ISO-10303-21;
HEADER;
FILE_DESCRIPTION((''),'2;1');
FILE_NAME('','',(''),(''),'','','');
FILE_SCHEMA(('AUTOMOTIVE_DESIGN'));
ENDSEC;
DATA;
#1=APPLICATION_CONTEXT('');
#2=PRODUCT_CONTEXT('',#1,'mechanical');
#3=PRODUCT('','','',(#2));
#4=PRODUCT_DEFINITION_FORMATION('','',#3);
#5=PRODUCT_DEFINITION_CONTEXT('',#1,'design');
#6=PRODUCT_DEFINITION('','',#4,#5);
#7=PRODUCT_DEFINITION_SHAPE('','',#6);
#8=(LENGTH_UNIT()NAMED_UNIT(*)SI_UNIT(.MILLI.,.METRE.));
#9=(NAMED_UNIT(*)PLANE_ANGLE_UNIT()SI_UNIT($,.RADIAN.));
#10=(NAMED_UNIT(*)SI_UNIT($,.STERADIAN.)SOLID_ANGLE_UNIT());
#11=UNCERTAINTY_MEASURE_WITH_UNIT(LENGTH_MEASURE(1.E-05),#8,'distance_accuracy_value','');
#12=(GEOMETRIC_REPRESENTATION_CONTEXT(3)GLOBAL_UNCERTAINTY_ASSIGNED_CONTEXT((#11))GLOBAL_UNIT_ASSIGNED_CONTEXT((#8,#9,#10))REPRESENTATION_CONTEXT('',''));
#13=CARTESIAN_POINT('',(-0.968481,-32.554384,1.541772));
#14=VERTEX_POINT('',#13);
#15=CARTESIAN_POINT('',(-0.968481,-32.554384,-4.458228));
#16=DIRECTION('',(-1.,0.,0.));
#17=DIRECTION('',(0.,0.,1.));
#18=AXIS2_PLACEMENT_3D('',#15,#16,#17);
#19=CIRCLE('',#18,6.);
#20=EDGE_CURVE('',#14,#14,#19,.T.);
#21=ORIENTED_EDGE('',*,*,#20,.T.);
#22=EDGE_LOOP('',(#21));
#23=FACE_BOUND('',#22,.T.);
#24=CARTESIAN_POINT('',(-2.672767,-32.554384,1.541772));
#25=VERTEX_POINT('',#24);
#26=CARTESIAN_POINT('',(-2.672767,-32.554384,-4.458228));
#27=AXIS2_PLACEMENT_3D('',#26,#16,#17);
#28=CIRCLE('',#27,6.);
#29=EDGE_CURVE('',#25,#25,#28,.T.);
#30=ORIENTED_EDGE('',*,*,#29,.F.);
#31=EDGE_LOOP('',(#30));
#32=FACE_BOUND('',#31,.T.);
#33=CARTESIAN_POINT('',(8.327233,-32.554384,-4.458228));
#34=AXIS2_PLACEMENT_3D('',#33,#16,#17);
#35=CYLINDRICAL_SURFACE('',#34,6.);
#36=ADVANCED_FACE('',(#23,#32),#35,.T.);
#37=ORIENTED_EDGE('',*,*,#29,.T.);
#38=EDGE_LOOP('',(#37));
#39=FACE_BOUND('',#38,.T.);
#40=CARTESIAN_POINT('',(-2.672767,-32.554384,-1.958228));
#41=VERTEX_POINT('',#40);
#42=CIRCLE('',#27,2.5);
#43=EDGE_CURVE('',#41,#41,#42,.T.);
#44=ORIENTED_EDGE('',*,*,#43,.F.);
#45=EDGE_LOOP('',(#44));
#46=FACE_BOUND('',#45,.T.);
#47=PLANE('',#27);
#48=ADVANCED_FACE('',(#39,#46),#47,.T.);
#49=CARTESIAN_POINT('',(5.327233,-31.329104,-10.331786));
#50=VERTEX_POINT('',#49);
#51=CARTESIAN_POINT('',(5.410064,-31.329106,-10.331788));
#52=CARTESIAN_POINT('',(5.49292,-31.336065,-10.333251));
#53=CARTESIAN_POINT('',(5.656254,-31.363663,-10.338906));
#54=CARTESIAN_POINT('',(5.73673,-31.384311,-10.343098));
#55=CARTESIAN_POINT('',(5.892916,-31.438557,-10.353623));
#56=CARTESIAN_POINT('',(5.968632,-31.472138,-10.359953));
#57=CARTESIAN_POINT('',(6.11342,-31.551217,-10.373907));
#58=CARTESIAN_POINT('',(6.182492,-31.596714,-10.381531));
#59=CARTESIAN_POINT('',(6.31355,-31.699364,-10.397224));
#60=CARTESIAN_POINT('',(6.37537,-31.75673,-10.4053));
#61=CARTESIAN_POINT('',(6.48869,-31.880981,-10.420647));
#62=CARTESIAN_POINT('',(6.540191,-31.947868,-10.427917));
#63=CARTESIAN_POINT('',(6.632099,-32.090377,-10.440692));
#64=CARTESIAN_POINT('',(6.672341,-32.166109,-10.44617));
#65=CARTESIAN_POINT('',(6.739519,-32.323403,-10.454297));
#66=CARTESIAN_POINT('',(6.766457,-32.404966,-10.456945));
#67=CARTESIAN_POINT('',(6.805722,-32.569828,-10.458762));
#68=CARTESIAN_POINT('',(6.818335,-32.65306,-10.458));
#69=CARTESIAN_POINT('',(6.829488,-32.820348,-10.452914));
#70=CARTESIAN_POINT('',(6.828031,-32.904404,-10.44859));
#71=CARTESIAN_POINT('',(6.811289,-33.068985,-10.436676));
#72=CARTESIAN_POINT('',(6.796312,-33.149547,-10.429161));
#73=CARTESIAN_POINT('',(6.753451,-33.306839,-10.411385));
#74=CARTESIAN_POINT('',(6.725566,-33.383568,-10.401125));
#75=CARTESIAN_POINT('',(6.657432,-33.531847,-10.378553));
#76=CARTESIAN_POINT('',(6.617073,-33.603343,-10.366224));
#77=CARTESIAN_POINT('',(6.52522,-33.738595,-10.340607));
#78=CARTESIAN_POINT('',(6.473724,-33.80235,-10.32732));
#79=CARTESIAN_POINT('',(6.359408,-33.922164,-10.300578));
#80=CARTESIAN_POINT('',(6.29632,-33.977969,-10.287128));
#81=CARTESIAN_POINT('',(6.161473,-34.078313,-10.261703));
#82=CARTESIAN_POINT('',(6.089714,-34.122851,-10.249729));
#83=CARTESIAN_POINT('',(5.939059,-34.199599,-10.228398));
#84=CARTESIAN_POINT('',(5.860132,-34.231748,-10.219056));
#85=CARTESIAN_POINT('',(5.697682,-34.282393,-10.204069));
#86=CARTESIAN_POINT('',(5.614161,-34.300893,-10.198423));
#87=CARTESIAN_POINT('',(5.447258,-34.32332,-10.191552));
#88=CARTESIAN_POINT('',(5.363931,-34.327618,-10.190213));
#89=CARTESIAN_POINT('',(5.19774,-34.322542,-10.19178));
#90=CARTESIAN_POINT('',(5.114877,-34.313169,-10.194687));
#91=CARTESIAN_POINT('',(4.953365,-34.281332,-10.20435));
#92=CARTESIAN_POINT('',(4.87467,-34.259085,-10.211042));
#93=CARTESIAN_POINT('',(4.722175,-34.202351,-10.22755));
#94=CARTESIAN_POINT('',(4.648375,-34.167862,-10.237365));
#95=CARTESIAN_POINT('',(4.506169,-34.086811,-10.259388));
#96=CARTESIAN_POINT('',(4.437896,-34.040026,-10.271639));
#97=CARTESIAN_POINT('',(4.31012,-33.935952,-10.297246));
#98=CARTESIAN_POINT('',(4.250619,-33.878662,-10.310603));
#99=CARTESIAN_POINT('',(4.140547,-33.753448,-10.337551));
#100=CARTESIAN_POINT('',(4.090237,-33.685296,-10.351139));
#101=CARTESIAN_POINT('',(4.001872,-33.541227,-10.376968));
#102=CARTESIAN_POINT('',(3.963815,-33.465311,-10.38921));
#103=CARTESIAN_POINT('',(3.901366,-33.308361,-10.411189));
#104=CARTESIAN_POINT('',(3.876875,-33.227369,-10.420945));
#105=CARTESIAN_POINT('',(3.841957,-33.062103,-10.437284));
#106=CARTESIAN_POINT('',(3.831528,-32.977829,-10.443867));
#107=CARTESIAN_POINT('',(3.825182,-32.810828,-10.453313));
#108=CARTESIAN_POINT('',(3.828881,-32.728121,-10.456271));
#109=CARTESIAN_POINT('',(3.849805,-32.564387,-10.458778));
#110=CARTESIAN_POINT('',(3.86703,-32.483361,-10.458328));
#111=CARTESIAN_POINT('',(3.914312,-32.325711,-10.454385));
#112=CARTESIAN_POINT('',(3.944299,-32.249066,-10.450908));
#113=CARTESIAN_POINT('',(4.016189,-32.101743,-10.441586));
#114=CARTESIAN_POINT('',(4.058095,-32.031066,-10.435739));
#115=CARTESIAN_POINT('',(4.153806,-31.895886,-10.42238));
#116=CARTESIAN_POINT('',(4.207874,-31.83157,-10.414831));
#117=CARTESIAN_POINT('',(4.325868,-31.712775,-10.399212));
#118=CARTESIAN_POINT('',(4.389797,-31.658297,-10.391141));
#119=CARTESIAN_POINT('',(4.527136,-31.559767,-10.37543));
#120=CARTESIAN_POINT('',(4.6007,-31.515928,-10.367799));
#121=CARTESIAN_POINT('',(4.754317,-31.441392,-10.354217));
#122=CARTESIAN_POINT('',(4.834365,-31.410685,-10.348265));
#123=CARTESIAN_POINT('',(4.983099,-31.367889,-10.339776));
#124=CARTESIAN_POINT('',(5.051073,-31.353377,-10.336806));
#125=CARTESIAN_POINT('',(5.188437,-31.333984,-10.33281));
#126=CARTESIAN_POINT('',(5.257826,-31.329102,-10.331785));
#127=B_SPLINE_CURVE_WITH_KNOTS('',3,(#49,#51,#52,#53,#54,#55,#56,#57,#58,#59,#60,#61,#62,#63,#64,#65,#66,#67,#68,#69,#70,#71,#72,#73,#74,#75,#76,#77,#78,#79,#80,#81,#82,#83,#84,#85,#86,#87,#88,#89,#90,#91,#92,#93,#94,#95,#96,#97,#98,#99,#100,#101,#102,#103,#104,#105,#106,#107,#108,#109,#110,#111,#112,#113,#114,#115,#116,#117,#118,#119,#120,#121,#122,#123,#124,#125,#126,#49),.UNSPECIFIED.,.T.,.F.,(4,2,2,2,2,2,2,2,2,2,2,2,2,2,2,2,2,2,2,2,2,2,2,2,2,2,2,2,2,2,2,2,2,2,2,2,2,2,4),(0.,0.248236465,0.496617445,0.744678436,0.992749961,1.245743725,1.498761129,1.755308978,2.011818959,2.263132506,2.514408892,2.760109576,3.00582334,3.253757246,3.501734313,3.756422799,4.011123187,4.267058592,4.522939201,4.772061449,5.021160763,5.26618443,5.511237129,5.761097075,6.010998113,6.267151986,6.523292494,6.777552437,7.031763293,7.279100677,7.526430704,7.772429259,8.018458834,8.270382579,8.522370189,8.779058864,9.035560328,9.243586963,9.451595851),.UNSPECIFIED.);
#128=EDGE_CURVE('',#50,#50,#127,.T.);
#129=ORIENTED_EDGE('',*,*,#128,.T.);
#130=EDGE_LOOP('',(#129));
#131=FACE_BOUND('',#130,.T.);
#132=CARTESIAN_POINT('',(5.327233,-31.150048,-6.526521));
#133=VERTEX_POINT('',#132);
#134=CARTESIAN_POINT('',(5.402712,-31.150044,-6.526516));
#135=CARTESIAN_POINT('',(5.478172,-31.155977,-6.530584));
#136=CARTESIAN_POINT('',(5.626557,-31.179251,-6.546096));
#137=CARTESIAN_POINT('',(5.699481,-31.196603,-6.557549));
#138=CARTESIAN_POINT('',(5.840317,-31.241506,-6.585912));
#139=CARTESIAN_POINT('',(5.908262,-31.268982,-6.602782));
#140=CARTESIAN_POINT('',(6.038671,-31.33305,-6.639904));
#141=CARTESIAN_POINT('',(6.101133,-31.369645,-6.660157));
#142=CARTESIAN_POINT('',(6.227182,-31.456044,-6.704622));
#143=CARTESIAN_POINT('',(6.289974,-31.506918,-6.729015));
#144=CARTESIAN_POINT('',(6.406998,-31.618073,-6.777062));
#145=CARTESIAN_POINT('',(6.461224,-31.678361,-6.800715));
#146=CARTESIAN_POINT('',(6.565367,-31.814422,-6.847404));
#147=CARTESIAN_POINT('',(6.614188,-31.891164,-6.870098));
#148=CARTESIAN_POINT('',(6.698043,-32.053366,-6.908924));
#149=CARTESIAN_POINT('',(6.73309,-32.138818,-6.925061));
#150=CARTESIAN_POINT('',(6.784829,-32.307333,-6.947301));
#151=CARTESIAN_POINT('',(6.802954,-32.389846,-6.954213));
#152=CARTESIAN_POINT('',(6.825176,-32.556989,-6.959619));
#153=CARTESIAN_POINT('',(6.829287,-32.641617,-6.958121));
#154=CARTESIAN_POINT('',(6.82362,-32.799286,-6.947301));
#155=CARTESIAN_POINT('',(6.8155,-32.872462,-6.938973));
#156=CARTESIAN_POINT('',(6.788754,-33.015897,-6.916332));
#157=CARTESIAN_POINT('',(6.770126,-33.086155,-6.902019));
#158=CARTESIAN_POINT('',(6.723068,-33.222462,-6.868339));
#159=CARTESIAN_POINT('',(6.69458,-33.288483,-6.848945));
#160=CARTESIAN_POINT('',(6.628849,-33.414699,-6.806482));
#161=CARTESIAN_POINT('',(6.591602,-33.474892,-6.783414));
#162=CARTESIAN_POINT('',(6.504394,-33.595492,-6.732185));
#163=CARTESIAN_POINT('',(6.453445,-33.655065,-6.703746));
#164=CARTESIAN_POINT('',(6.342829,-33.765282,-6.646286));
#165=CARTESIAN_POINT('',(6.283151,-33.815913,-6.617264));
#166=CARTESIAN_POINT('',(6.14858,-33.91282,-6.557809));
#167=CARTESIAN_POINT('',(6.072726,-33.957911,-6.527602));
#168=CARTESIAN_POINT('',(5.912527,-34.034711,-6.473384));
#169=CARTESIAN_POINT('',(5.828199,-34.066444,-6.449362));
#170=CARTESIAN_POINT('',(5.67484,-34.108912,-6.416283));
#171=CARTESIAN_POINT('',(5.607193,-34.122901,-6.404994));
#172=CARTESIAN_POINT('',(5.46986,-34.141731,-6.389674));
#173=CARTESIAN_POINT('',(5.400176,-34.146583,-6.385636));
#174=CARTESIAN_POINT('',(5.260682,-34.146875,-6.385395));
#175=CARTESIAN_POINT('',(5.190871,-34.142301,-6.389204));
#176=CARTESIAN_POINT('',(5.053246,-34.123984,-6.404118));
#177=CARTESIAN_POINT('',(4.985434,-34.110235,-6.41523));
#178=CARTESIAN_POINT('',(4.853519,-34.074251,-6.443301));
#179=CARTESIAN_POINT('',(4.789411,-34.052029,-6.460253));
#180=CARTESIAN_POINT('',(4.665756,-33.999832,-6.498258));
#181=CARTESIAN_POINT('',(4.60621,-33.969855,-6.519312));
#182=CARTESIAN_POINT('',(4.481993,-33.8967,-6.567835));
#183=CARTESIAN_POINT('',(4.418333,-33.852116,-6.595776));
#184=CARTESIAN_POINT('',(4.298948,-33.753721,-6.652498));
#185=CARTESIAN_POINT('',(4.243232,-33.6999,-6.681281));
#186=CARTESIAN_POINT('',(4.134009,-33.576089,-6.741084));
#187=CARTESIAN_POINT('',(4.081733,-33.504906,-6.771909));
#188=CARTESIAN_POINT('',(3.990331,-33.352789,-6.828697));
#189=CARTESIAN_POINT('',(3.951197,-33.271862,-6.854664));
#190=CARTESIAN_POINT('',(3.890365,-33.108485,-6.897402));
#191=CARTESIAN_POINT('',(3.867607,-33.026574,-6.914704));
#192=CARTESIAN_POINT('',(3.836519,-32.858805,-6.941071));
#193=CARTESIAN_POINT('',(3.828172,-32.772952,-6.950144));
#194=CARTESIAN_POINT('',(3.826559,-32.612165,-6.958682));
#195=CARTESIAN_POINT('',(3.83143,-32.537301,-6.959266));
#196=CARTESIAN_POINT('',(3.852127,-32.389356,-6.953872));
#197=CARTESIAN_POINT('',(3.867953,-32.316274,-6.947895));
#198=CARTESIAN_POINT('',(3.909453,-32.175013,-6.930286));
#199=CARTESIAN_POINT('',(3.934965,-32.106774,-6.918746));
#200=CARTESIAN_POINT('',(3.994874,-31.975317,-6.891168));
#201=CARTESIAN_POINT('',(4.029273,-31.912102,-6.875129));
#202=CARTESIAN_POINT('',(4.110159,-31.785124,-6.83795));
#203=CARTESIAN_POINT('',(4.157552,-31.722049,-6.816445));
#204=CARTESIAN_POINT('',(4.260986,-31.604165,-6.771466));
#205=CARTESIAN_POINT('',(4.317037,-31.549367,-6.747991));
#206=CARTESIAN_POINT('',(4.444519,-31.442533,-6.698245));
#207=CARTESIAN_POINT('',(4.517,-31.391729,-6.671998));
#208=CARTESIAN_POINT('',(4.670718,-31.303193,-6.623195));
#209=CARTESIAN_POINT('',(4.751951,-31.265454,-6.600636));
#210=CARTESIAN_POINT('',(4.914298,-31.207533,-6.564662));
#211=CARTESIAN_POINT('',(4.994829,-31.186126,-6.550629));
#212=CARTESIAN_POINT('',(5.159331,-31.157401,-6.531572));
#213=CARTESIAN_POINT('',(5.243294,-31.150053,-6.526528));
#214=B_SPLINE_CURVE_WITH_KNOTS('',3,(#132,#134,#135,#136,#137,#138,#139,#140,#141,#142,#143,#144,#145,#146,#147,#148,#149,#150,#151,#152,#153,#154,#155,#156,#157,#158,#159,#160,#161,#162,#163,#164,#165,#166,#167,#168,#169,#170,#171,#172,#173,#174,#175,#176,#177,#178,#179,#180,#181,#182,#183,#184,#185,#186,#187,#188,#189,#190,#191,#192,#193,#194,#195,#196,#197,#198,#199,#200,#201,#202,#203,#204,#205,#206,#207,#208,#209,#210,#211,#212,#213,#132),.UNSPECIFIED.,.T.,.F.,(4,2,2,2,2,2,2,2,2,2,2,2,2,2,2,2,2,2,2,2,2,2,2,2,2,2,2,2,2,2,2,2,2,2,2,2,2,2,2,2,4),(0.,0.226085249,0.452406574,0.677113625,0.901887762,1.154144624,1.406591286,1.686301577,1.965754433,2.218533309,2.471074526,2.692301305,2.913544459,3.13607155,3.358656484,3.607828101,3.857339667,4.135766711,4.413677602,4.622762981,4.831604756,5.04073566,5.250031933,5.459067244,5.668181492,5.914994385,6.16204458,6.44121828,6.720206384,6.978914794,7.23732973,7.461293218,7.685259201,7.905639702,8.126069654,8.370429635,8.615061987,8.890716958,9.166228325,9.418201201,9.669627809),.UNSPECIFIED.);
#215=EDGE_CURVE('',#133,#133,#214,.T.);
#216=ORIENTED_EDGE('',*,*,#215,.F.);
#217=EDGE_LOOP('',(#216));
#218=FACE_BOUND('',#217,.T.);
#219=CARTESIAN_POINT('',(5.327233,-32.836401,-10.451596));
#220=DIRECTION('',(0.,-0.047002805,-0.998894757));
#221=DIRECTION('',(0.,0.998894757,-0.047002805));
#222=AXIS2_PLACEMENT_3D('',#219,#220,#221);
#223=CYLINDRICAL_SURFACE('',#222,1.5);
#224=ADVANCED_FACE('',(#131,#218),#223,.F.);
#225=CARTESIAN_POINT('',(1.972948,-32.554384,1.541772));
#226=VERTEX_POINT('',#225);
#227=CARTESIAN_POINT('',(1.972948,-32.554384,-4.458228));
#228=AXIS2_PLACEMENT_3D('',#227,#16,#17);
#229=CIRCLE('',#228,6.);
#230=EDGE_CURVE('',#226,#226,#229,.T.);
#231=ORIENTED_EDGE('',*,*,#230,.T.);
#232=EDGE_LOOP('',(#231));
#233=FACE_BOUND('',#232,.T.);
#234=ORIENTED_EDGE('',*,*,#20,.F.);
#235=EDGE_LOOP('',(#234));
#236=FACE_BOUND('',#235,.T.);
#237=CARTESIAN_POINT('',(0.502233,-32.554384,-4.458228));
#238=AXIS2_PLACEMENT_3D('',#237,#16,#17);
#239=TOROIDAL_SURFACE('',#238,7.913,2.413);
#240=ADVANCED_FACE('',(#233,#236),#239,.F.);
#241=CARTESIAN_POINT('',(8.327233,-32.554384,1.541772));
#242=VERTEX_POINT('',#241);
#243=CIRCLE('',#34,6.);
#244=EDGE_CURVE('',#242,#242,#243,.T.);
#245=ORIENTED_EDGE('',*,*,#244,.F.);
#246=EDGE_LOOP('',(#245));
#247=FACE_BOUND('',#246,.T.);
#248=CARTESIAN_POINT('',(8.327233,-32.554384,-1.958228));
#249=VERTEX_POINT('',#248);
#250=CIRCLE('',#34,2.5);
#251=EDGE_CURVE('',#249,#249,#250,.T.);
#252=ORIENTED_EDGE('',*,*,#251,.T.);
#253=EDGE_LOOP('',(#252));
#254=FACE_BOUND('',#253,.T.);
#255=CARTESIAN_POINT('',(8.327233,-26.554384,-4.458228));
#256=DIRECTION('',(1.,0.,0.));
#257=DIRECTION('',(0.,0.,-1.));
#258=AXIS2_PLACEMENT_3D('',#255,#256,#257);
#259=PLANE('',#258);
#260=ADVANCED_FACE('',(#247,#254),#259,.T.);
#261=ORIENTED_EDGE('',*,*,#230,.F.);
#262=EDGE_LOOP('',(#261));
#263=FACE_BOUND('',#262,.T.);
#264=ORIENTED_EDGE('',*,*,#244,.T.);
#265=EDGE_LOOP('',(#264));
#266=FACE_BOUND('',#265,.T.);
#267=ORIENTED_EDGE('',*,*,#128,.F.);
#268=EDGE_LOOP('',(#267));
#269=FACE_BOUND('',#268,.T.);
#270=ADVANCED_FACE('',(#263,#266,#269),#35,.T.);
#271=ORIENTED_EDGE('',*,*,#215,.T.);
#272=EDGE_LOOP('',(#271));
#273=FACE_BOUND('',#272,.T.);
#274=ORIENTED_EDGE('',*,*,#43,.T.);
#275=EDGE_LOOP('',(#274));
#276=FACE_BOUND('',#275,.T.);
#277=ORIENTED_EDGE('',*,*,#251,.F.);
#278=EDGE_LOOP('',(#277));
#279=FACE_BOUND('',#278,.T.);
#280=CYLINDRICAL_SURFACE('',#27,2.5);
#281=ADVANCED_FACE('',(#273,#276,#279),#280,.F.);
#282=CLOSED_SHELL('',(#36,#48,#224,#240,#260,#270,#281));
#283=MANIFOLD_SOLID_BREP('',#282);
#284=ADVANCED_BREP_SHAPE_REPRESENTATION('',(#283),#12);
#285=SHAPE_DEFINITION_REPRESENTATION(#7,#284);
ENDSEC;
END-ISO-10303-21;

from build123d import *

# Parameters (mm, degrees)
F_5_0_5_DIAMETER_HOLE1_D      = 5
F_3_0_3_DIAMETER_HOLE1_REACH  = 17.726
F_3_0_3_DIAMETER_HOLE1_BORE_R = 1.5


with BuildPart() as part:
    # Sketch1 → Revolve1 (revolve)
    with BuildSketch(Plane(origin=(0, 0, -4.458227774), x_dir=(-1, 0, 0), z_dir=(0, 0, -1)), mode=Mode.PRIVATE) as revolve1_sk:
        with BuildLine():
            Line((-8.327233411, -26.554384432), (-8.327233411, -32.554384432))
            Line((-8.327233411, -32.554384432), (2.672766589, -32.554384432))
            Line((2.672766589, -32.554384432), (2.672766589, -26.554384432))
            Line((2.672766589, -26.554384432), (0.968480701, -26.554384432))
            ThreePointArc((0.968480701, -26.554384432), (-0.502233411, -27.054384432), (-1.972947524, -26.554384432))
            Line((-1.972947524, -26.554384432), (-8.327233411, -26.554384432))
        make_face()
    revolve(revolve1_sk.sketch.rotate(Axis((8.327233411, -32.554384432, -4.458227774), (-1, 0, 0)), 270), axis=Axis((8.327233411, -32.554384432, -4.458227774), (-1, 0, 0)))

    # Ø5.0 (5) Diameter Hole1 (through all)
    with Locations(Plane.ZY.offset(2.672766589)):
        with Locations((-4.458227774, -32.554384432)):
            Hole(F_5_0_5_DIAMETER_HOLE1_D / 2)

    # Ø3.0 (3) Diameter Hole1 bore (on position points) → Ø3.0 (3) Diameter Hole1 (cut, up to next)
    with BuildSketch(Plane(origin=(5.327233411, -32.836401262, -10.451596318), x_dir=(0, -0.998894757378, 0.047002805043), z_dir=(0, -0.047002805043, -0.998894757378)), mode=Mode.PRIVATE) as f_3_0_3_diameter_hole1_sk1:
        Circle(F_3_0_3_DIAMETER_HOLE1_BORE_R)
    f_3_0_3_diameter_hole1_tool1 = extrude(f_3_0_3_diameter_hole1_sk1.sketch, amount=-F_3_0_3_DIAMETER_HOLE1_REACH, mode=Mode.PRIVATE) & part.part
    add(f_3_0_3_diameter_hole1_tool1.solids().sort_by_distance((5.327233, -32.836401, -10.451596))[0], mode=Mode.SUBTRACT)


solid = part.part
